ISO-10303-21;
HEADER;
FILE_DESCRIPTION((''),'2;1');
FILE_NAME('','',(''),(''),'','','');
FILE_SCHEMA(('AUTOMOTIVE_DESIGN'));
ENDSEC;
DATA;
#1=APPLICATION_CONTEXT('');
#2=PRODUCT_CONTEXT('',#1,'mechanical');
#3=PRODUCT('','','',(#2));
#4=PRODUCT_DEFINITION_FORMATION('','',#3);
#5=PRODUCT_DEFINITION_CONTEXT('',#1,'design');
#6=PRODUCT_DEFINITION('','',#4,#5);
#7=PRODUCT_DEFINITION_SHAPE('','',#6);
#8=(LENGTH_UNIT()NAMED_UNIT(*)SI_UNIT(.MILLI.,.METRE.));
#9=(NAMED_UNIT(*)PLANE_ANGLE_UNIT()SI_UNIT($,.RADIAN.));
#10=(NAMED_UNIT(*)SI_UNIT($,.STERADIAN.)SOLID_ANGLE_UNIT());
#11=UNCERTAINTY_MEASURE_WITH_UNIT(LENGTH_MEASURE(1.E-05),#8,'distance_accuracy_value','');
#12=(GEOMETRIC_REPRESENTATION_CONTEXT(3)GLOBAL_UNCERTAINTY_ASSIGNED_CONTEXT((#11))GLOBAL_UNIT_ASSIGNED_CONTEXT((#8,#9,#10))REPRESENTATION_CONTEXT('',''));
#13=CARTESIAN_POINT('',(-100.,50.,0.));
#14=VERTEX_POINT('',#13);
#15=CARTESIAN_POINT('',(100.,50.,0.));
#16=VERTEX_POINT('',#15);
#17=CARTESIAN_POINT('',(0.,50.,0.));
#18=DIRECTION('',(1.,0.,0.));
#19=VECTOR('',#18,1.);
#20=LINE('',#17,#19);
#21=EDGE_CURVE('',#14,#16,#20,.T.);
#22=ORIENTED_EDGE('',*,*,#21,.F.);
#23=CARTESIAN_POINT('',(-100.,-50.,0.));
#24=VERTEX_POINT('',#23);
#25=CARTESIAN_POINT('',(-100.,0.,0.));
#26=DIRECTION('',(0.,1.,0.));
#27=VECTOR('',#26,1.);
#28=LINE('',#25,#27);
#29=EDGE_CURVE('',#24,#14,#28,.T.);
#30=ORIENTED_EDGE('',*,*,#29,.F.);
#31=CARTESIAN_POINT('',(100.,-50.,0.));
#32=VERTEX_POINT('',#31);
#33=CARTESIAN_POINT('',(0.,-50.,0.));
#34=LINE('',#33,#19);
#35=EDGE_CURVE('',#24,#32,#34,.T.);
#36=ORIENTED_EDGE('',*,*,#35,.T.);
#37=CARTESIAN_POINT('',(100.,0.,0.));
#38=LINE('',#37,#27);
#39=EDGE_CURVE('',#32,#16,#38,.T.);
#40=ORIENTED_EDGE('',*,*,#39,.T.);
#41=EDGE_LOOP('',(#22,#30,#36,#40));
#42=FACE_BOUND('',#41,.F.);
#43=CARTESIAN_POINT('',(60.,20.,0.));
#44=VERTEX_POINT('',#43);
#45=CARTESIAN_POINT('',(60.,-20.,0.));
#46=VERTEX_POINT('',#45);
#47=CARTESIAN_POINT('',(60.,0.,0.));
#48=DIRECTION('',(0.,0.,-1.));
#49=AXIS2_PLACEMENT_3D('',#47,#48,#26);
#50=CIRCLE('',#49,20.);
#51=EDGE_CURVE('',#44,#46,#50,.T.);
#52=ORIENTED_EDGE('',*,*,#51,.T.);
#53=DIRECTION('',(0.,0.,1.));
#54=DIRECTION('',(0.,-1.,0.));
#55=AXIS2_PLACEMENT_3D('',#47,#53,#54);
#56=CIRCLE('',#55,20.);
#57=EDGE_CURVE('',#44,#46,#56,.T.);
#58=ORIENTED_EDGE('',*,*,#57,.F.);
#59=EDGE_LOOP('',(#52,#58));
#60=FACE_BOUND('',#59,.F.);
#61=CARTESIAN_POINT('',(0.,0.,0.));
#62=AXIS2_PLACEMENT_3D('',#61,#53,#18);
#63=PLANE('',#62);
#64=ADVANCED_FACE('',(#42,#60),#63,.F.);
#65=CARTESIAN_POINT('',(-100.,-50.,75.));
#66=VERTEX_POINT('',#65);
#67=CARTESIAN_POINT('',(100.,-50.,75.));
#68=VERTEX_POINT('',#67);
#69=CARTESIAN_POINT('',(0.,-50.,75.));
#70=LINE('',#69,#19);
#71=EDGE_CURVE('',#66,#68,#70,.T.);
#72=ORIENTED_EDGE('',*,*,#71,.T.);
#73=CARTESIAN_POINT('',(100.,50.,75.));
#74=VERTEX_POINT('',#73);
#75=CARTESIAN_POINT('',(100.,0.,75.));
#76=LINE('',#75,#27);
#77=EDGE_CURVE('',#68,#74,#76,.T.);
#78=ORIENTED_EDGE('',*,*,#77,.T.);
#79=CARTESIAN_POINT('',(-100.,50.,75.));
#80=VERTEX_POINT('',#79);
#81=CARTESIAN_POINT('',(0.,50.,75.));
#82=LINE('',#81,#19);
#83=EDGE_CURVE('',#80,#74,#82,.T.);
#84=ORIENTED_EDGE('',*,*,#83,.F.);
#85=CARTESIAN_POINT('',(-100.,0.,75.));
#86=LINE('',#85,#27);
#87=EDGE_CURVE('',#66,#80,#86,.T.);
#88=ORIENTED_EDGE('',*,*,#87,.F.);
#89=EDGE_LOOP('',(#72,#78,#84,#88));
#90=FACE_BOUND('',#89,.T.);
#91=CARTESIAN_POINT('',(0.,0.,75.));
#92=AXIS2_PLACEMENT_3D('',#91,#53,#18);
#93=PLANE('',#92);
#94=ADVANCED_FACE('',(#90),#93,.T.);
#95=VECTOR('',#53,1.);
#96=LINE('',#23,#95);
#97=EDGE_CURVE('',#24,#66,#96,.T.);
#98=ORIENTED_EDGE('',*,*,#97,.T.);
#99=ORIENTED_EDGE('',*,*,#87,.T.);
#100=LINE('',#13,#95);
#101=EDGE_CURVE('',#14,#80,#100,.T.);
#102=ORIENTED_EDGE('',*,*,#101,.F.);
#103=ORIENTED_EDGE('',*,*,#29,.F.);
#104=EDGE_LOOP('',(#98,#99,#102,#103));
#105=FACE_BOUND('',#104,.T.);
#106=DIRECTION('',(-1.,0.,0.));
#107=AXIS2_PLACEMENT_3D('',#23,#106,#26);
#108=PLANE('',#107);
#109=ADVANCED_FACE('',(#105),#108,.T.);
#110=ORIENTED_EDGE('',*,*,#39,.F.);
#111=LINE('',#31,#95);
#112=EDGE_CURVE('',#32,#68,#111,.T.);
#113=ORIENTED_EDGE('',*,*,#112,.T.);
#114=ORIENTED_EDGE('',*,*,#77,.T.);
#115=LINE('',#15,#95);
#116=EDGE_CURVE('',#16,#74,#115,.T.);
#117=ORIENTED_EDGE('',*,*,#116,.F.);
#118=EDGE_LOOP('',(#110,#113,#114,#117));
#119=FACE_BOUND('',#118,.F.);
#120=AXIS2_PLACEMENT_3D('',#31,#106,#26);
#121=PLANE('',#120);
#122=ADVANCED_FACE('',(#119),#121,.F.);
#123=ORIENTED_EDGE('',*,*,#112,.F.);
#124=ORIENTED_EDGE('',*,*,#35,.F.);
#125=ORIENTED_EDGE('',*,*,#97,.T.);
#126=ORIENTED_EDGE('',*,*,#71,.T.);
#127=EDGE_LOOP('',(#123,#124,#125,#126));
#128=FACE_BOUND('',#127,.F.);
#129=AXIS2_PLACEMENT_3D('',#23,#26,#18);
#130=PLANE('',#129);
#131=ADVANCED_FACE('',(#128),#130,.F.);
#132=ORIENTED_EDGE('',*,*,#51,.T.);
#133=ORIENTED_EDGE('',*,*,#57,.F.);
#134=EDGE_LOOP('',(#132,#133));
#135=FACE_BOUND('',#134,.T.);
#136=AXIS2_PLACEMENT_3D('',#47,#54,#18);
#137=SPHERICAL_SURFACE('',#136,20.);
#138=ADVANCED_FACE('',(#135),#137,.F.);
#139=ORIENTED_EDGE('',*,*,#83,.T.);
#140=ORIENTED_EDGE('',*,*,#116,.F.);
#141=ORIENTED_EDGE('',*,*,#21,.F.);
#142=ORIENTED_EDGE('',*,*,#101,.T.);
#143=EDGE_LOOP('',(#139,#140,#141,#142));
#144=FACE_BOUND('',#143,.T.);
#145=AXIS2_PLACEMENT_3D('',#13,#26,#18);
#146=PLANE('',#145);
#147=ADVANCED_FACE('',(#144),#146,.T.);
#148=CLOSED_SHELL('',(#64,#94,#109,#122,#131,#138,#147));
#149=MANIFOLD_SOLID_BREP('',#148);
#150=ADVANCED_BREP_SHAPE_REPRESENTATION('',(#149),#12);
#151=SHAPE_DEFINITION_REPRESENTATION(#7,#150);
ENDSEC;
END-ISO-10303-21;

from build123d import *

# Parameters (mm, degrees)
F0_W     = 200
F0_H     = 100
F1_DEPTH = 75


with BuildPart() as f1:
    # F0 (on Top) → F1 (new body)
    with BuildSketch(Plane.XY):
        Rectangle(F0_W, F0_H)
    extrude(amount=F1_DEPTH)

    # F2 (on face) → F3 (revolve, cut)
    with BuildSketch(Plane(origin=(0, 0, 0), x_dir=(1, 0, 0), z_dir=(0, 0, -1))):
        with BuildLine():
            Line((60, 20), (60, -20))
            ThreePointArc((60, -20), (80, 0), (60, 20))
        make_face()
    revolve(axis=Axis((60, 0, 0), (0, 1, 0)), mode=Mode.SUBTRACT)


solid = f1.part
